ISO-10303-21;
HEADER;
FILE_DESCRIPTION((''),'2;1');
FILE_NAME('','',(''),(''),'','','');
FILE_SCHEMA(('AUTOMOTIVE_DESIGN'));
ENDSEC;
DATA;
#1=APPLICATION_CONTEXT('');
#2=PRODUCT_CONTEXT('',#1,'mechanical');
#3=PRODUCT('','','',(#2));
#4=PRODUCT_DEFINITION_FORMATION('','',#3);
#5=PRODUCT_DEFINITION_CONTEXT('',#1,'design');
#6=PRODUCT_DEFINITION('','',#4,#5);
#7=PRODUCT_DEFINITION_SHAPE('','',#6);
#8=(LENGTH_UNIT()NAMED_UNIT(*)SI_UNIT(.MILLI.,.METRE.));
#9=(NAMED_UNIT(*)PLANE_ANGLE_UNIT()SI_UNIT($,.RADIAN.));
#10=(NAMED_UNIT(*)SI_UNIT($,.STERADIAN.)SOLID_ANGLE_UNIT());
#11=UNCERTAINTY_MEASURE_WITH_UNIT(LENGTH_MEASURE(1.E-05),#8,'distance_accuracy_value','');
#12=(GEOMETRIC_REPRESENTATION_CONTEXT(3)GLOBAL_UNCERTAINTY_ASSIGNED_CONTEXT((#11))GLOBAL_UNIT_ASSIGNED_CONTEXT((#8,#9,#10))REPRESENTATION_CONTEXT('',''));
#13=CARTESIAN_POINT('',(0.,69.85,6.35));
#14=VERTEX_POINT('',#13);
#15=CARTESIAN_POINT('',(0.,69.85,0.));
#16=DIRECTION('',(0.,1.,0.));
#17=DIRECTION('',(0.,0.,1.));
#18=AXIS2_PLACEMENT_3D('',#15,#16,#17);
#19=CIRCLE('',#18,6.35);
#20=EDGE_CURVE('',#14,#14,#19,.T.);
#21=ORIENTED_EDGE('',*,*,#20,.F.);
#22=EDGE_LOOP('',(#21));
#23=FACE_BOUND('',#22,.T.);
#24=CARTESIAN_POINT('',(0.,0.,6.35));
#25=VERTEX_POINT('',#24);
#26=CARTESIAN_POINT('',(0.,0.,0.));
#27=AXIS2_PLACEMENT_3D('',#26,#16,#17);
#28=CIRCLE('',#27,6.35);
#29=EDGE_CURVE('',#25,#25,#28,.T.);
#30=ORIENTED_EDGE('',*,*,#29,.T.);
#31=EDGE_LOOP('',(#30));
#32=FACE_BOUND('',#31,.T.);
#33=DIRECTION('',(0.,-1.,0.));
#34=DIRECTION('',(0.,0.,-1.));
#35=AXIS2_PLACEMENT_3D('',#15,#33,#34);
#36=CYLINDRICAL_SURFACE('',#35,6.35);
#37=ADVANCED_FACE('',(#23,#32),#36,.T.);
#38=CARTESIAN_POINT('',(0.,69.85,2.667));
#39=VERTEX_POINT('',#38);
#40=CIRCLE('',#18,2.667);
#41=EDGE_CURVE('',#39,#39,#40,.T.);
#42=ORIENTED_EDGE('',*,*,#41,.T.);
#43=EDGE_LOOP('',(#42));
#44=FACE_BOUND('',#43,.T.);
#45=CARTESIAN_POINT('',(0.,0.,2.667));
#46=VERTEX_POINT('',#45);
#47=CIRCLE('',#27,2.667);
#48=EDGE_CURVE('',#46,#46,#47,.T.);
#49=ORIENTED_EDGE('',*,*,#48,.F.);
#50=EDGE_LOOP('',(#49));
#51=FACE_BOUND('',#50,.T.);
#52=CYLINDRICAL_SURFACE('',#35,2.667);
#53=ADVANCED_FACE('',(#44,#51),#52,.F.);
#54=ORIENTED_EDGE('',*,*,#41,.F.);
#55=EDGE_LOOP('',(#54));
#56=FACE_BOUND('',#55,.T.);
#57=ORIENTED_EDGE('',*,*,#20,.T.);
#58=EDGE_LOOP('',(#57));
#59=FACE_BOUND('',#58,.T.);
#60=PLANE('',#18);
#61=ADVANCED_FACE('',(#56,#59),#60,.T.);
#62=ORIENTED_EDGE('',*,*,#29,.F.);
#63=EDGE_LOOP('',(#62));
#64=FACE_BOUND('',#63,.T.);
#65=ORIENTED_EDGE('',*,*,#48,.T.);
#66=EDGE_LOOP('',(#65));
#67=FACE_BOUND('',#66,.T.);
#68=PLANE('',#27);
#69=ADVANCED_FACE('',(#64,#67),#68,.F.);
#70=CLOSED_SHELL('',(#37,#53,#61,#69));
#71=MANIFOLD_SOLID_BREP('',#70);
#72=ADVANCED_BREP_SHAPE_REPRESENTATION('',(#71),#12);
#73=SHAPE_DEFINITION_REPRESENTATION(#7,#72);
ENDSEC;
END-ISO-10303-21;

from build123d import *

# Parameters (mm, degrees)
SKETCH1_R           = 6.35
SKETCH1_R_2         = 2.667
BOSS_EXTRUDE1_DEPTH = 69.85


with BuildPart() as part:
    # Sketch1 → Boss-Extrude1 (new body)
    with BuildSketch(Plane(origin=(0, 0, 0), x_dir=(1, 0, 0), z_dir=(0, 1, 0))):
        Circle(SKETCH1_R)
        Circle(SKETCH1_R_2, mode=Mode.SUBTRACT)
    extrude(amount=BOSS_EXTRUDE1_DEPTH)


solid = part.part
